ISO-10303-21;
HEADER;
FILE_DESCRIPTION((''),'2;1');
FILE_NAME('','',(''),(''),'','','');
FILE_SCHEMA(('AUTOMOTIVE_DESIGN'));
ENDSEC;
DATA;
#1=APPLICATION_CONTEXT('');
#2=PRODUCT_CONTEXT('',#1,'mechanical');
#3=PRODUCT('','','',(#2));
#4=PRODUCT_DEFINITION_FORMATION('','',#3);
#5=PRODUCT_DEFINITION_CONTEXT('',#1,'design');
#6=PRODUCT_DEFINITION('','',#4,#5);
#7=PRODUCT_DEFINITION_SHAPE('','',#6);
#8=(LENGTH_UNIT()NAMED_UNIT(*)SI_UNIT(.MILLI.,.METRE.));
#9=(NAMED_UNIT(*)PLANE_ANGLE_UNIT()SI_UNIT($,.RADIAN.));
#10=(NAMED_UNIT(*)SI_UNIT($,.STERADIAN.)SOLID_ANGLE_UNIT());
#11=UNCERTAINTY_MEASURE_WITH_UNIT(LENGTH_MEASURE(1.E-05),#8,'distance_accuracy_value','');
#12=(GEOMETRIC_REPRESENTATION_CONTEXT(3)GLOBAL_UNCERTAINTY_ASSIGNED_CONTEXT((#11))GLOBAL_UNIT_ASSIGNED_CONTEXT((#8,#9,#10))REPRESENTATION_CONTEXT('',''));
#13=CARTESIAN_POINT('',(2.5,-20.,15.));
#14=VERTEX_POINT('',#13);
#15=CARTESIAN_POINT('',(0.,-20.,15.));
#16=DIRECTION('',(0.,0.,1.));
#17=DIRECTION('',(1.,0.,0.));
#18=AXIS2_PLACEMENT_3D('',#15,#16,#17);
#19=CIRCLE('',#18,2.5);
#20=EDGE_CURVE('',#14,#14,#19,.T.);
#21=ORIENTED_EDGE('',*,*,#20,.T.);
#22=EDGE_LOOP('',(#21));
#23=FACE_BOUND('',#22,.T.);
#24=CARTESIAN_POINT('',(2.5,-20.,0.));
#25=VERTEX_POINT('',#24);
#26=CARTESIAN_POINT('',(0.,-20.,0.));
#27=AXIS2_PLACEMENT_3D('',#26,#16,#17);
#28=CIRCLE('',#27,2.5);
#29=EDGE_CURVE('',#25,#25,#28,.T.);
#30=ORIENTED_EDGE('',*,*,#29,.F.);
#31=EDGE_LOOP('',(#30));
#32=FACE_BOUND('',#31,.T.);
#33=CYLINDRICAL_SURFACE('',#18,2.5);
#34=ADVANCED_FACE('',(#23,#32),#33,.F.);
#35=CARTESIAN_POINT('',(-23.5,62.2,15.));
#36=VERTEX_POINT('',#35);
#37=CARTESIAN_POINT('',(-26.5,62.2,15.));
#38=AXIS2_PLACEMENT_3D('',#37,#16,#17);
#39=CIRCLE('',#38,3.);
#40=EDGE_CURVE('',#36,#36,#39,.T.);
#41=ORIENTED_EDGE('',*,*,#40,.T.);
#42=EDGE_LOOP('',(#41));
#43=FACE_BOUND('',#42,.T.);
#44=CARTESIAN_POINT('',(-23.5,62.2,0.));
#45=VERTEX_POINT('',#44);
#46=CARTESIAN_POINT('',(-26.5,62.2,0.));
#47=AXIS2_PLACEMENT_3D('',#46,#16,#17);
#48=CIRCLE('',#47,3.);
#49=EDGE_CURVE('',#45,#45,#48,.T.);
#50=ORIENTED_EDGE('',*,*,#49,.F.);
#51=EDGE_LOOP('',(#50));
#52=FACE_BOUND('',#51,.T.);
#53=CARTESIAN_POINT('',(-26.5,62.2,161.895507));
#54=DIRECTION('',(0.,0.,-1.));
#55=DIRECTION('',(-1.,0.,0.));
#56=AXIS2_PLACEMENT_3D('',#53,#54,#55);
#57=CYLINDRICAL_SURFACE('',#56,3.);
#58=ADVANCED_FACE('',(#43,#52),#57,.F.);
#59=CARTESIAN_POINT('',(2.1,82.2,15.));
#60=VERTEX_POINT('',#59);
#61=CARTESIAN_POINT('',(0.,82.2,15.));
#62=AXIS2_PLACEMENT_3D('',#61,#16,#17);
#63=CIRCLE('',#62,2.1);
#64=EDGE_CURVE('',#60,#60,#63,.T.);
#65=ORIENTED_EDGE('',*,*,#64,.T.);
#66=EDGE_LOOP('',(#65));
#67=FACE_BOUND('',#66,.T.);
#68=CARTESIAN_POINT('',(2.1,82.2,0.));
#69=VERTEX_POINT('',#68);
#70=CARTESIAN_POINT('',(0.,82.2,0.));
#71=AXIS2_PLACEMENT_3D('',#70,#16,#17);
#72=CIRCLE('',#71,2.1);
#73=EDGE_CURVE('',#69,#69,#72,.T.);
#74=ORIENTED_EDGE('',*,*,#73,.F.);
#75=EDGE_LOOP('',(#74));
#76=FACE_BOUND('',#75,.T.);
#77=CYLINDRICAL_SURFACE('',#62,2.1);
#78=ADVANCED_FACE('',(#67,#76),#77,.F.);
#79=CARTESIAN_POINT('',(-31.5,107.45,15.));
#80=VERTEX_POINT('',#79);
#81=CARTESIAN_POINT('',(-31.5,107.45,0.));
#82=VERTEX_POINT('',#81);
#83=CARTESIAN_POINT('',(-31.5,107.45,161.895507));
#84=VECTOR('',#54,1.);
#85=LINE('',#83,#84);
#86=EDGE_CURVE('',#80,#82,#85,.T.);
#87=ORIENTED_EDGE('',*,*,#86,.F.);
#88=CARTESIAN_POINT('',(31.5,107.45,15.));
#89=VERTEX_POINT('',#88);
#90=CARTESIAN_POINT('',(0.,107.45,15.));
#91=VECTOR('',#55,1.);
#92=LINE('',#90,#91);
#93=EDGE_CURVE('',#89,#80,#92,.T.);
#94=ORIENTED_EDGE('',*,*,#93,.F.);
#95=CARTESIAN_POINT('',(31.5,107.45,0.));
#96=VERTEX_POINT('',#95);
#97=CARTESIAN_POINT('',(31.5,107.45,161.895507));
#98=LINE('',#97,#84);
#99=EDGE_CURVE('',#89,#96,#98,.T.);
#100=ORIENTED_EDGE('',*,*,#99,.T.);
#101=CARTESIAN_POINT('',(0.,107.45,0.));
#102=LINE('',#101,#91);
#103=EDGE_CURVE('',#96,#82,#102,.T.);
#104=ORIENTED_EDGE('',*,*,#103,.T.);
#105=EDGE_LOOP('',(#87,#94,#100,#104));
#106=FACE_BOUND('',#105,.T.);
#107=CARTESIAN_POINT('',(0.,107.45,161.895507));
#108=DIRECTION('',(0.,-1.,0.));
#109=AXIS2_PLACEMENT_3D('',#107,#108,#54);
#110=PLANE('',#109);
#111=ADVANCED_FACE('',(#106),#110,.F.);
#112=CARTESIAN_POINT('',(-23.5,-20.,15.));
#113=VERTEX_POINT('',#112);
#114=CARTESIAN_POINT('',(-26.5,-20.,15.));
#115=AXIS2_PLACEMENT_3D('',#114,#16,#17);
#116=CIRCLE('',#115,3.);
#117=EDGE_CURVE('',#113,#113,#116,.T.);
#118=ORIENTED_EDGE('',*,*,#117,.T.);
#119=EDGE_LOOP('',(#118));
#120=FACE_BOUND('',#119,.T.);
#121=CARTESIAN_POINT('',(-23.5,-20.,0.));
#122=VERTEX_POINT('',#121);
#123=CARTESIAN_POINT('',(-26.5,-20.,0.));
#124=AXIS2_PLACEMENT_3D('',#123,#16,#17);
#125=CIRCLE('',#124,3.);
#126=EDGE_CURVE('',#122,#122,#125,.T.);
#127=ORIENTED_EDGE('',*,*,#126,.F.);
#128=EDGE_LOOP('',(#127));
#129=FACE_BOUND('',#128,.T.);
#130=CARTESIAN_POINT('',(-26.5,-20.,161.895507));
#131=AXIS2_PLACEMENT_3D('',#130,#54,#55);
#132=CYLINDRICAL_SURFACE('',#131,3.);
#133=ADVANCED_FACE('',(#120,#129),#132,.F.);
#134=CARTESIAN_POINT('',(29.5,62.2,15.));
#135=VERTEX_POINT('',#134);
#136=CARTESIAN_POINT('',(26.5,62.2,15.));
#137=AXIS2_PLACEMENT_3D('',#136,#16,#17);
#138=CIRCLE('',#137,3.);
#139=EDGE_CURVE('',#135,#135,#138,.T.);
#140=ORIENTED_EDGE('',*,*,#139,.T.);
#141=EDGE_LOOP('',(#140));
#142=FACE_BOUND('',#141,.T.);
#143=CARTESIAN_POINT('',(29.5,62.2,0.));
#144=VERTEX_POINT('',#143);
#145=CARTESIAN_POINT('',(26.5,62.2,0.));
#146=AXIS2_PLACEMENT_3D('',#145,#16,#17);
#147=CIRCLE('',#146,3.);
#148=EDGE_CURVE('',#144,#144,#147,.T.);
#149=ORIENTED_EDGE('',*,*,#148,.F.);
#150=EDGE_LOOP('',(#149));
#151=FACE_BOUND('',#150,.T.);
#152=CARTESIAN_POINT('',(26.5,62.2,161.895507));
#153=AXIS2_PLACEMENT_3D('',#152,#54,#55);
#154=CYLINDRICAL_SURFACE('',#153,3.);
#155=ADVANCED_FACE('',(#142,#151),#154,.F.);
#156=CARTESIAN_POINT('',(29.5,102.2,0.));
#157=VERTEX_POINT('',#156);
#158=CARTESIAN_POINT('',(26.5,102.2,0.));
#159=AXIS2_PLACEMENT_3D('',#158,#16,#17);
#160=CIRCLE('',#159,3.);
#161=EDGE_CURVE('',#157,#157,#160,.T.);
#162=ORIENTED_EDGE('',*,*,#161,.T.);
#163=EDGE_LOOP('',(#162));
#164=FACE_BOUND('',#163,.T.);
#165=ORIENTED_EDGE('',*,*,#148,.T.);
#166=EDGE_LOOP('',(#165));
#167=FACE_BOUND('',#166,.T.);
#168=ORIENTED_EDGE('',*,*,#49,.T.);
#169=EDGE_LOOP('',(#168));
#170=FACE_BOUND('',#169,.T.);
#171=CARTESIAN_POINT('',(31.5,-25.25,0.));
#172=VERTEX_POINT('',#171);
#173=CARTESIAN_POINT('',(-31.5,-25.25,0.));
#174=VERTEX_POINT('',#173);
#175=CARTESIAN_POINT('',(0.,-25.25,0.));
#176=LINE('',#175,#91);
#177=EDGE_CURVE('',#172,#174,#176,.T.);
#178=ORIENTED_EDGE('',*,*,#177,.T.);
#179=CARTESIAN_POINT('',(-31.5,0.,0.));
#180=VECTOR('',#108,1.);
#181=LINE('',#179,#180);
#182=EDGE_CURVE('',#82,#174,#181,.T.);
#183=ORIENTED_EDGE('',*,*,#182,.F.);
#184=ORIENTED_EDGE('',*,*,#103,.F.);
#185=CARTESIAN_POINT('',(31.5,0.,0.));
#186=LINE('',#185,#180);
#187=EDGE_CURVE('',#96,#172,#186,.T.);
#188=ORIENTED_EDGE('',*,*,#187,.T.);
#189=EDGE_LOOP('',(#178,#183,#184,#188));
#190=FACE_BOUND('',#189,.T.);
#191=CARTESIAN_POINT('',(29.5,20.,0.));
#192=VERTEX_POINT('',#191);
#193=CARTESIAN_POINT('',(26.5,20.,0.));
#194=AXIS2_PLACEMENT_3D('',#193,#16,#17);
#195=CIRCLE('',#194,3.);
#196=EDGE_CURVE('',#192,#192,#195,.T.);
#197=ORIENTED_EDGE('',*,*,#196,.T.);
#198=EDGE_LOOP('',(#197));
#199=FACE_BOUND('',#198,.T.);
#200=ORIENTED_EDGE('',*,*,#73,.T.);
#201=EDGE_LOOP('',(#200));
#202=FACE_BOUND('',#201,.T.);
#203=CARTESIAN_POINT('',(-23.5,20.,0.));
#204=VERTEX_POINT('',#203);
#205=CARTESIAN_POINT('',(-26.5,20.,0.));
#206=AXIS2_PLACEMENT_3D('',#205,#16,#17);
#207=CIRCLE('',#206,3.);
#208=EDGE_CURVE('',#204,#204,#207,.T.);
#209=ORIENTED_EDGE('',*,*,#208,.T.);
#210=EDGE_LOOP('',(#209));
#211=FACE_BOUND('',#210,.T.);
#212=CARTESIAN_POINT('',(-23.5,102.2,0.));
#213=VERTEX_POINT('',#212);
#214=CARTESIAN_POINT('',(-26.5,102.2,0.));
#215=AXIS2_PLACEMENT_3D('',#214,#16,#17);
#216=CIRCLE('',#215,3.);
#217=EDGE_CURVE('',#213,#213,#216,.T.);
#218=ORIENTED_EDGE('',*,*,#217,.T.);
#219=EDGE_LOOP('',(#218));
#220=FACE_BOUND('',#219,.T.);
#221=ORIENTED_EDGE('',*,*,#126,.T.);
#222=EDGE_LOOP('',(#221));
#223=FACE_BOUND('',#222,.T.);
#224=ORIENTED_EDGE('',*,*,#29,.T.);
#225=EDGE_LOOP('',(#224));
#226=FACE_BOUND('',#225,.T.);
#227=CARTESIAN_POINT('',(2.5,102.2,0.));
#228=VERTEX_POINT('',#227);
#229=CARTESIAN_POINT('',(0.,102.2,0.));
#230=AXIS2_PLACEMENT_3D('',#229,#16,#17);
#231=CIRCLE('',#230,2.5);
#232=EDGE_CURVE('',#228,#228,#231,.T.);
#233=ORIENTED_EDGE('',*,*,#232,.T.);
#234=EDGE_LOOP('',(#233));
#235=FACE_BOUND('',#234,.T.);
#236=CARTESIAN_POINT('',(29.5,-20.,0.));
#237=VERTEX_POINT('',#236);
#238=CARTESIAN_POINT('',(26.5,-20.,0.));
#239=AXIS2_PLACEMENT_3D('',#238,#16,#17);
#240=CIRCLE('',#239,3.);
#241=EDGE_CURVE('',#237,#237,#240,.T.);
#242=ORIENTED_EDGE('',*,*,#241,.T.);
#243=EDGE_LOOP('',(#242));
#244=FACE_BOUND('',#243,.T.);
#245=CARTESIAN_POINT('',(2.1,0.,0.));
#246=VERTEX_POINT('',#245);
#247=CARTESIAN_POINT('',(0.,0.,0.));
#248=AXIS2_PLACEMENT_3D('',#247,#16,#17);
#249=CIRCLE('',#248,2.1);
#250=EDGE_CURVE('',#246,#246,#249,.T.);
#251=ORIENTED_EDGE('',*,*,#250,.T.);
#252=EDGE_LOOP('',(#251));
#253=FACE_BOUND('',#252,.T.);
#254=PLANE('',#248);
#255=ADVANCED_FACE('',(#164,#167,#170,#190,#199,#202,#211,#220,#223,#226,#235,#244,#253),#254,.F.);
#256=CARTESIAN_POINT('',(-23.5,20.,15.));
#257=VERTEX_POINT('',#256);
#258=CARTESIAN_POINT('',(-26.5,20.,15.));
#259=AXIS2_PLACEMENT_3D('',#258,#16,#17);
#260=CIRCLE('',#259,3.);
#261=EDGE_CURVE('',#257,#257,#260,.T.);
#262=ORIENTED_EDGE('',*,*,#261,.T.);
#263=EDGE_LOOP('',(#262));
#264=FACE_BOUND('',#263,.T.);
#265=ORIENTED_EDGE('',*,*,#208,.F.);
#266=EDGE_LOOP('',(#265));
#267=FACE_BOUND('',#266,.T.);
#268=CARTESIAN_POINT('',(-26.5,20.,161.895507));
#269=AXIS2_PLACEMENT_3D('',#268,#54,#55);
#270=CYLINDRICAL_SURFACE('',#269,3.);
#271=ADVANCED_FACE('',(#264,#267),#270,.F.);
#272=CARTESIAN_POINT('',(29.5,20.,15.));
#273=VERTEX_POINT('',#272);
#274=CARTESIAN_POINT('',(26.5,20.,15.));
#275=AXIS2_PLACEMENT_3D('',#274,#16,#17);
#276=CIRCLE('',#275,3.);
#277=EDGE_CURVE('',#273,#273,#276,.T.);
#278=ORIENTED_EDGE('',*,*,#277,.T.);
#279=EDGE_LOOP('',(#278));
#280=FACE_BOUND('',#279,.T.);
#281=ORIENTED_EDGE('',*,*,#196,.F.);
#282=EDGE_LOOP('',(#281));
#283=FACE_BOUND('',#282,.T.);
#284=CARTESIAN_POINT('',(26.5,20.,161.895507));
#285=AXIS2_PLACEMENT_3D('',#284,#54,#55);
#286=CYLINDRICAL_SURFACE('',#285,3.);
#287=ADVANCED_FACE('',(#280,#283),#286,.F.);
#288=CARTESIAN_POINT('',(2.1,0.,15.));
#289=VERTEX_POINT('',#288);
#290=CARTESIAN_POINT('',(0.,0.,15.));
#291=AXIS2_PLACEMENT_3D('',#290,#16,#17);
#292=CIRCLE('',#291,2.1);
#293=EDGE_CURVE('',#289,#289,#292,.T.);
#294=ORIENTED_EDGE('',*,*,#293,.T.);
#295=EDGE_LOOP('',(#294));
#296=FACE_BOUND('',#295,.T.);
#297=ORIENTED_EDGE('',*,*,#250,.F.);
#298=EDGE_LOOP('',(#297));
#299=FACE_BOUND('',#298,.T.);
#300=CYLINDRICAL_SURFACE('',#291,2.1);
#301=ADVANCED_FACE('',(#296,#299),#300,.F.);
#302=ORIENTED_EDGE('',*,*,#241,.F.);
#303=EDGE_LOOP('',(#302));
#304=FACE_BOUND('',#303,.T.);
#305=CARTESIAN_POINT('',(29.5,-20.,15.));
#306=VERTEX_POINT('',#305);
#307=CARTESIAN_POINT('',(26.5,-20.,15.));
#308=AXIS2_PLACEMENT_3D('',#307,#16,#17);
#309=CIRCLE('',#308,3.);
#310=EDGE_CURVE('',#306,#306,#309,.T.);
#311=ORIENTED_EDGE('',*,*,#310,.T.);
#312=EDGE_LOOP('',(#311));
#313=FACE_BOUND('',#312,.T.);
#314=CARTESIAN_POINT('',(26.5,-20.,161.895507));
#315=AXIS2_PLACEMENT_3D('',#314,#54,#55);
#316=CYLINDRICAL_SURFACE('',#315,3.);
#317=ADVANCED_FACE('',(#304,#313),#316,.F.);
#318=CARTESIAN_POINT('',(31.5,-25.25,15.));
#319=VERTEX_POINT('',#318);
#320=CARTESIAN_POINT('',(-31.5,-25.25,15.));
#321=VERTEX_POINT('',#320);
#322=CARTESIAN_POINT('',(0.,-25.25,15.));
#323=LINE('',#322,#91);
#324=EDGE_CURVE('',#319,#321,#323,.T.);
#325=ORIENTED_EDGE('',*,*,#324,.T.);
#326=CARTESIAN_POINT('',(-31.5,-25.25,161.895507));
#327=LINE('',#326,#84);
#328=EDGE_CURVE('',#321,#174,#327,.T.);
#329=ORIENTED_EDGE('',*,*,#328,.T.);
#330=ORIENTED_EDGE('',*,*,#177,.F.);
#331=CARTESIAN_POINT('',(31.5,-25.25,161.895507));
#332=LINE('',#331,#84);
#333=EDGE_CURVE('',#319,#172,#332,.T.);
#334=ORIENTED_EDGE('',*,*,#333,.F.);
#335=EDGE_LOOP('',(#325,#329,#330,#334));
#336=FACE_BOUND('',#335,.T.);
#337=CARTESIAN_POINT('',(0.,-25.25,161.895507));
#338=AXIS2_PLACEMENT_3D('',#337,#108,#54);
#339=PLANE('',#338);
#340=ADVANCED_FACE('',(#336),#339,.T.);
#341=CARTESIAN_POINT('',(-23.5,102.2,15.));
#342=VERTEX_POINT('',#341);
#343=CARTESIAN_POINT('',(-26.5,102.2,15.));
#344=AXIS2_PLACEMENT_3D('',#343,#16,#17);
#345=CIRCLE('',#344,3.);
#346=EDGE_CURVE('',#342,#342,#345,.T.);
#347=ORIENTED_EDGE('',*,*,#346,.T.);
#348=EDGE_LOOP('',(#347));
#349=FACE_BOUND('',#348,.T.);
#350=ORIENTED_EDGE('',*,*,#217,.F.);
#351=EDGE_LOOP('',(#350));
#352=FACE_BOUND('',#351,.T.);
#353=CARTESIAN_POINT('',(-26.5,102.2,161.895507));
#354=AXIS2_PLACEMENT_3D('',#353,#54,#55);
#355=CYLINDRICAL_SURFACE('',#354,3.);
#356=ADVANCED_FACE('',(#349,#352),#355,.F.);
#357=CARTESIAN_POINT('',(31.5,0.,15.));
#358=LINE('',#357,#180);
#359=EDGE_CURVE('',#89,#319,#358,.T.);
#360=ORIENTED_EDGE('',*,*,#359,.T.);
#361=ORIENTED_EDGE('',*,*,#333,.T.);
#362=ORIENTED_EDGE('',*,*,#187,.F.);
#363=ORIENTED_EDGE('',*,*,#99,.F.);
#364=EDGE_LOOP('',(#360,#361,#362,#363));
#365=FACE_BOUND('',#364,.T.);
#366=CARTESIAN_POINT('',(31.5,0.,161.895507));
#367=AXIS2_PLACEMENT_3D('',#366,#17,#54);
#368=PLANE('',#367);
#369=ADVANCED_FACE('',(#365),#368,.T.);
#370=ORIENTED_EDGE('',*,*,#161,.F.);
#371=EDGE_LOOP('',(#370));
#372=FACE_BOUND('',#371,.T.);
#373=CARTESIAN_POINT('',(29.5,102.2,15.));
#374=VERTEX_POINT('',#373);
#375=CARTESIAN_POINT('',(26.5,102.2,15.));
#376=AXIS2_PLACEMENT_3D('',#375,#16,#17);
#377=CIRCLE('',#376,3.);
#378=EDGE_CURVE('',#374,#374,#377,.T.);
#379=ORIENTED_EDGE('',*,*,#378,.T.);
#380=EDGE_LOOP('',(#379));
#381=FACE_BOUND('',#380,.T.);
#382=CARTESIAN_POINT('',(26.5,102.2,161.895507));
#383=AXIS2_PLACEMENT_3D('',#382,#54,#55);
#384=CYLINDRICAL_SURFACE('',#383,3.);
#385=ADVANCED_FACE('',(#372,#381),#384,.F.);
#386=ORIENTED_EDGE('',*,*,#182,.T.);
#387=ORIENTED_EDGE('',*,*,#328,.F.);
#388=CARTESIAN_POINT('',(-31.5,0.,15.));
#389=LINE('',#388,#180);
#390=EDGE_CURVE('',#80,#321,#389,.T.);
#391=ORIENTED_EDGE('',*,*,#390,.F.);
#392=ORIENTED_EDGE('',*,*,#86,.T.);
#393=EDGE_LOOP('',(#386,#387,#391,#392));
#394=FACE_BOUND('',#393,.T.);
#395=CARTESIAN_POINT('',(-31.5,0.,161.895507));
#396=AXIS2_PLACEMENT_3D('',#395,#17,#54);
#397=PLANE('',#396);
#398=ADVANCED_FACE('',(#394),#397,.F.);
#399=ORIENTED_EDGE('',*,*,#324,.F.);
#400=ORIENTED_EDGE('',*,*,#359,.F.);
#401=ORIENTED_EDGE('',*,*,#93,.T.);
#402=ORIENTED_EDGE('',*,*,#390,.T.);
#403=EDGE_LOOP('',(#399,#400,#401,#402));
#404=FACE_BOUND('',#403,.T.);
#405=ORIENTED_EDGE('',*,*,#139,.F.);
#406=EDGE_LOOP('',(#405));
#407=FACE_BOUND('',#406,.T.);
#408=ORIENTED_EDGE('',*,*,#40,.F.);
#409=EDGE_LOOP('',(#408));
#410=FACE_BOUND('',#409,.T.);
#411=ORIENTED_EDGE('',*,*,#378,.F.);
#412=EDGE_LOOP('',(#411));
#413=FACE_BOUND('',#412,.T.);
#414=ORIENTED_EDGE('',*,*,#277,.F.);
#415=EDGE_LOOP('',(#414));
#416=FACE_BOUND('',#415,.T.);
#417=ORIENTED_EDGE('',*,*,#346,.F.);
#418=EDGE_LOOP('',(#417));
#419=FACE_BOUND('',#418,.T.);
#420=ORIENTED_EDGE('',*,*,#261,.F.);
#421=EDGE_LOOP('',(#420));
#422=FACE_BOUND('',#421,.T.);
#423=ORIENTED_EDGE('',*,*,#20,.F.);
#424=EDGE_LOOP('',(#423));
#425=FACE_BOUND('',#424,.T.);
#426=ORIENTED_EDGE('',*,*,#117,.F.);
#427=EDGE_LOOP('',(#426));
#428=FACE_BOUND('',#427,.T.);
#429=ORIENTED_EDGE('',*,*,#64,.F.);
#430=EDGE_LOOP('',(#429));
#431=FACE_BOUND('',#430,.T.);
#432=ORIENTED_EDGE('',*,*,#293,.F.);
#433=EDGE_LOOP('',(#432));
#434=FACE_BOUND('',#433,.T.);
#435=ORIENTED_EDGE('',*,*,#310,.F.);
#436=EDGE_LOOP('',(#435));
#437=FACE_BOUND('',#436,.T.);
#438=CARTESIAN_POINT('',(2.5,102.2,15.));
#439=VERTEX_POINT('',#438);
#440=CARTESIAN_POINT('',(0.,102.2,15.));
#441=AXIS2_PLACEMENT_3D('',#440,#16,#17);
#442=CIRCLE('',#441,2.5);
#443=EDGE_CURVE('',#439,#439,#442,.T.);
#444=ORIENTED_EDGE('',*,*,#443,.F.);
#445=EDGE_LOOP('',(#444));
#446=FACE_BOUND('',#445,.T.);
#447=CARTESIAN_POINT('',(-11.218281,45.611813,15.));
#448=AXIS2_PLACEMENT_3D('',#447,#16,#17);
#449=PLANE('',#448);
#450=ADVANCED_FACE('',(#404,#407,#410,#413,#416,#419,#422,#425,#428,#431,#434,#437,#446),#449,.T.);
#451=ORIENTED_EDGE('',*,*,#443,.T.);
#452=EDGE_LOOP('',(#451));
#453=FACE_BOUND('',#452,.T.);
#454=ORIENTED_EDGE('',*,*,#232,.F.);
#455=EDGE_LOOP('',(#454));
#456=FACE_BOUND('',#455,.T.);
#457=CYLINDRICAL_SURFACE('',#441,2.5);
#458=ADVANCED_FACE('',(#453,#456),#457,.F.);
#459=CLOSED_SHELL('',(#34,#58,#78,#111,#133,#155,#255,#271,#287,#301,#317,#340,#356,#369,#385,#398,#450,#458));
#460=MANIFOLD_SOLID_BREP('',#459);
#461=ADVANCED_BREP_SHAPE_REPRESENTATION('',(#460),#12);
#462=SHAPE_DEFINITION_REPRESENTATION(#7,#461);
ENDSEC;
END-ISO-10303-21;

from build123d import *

# Parameters (mm, degrees)
SKETCH1_W           = 63
SKETCH1_H           = 132.7
SKETCH1_R           = 3
BOSS_EXTRUDE1_DEPTH = 15
SETSCREWS_D         = 4.2
SCREWHOLES_D        = 5


with BuildPart() as part:
    # Sketch1 → Boss-Extrude1 (new body)
    with BuildSketch(Plane.XY):
        with Locations((0, 41.1)):
            Rectangle(SKETCH1_W, SKETCH1_H)
        with Locations((-26.5, 20)):
            Circle(SKETCH1_R, mode=Mode.SUBTRACT)
        with Locations((-26.5, -20)):
            Circle(SKETCH1_R, mode=Mode.SUBTRACT)
        with Locations((26.5, -20)):
            Circle(SKETCH1_R, mode=Mode.SUBTRACT)
        with Locations((26.5, 20)):
            Circle(SKETCH1_R, mode=Mode.SUBTRACT)
        with Locations((-26.5, 102.2)):
            Circle(SKETCH1_R, mode=Mode.SUBTRACT)
        with Locations((-26.5, 62.2)):
            Circle(SKETCH1_R, mode=Mode.SUBTRACT)
        with Locations((26.5, 62.2)):
            Circle(SKETCH1_R, mode=Mode.SUBTRACT)
        with Locations((26.5, 102.2)):
            Circle(SKETCH1_R, mode=Mode.SUBTRACT)
    extrude(amount=BOSS_EXTRUDE1_DEPTH)

    # setscrews (through all)
    with Locations(Plane(origin=(0, 82.2, 15), x_dir=(1, 0, 0), z_dir=(0, 0, 1))):
        with Locations((0, 0), (0, -82.2)):
            Hole(SETSCREWS_D / 2)

    # screwHoles (through all)
    with Locations(Plane(origin=(0, 102.2, 15), x_dir=(1, 0, 0), z_dir=(0, 0, 1))):
        with Locations((0, 0), (0, -122.2)):
            Hole(SCREWHOLES_D / 2)


solid = part.part
